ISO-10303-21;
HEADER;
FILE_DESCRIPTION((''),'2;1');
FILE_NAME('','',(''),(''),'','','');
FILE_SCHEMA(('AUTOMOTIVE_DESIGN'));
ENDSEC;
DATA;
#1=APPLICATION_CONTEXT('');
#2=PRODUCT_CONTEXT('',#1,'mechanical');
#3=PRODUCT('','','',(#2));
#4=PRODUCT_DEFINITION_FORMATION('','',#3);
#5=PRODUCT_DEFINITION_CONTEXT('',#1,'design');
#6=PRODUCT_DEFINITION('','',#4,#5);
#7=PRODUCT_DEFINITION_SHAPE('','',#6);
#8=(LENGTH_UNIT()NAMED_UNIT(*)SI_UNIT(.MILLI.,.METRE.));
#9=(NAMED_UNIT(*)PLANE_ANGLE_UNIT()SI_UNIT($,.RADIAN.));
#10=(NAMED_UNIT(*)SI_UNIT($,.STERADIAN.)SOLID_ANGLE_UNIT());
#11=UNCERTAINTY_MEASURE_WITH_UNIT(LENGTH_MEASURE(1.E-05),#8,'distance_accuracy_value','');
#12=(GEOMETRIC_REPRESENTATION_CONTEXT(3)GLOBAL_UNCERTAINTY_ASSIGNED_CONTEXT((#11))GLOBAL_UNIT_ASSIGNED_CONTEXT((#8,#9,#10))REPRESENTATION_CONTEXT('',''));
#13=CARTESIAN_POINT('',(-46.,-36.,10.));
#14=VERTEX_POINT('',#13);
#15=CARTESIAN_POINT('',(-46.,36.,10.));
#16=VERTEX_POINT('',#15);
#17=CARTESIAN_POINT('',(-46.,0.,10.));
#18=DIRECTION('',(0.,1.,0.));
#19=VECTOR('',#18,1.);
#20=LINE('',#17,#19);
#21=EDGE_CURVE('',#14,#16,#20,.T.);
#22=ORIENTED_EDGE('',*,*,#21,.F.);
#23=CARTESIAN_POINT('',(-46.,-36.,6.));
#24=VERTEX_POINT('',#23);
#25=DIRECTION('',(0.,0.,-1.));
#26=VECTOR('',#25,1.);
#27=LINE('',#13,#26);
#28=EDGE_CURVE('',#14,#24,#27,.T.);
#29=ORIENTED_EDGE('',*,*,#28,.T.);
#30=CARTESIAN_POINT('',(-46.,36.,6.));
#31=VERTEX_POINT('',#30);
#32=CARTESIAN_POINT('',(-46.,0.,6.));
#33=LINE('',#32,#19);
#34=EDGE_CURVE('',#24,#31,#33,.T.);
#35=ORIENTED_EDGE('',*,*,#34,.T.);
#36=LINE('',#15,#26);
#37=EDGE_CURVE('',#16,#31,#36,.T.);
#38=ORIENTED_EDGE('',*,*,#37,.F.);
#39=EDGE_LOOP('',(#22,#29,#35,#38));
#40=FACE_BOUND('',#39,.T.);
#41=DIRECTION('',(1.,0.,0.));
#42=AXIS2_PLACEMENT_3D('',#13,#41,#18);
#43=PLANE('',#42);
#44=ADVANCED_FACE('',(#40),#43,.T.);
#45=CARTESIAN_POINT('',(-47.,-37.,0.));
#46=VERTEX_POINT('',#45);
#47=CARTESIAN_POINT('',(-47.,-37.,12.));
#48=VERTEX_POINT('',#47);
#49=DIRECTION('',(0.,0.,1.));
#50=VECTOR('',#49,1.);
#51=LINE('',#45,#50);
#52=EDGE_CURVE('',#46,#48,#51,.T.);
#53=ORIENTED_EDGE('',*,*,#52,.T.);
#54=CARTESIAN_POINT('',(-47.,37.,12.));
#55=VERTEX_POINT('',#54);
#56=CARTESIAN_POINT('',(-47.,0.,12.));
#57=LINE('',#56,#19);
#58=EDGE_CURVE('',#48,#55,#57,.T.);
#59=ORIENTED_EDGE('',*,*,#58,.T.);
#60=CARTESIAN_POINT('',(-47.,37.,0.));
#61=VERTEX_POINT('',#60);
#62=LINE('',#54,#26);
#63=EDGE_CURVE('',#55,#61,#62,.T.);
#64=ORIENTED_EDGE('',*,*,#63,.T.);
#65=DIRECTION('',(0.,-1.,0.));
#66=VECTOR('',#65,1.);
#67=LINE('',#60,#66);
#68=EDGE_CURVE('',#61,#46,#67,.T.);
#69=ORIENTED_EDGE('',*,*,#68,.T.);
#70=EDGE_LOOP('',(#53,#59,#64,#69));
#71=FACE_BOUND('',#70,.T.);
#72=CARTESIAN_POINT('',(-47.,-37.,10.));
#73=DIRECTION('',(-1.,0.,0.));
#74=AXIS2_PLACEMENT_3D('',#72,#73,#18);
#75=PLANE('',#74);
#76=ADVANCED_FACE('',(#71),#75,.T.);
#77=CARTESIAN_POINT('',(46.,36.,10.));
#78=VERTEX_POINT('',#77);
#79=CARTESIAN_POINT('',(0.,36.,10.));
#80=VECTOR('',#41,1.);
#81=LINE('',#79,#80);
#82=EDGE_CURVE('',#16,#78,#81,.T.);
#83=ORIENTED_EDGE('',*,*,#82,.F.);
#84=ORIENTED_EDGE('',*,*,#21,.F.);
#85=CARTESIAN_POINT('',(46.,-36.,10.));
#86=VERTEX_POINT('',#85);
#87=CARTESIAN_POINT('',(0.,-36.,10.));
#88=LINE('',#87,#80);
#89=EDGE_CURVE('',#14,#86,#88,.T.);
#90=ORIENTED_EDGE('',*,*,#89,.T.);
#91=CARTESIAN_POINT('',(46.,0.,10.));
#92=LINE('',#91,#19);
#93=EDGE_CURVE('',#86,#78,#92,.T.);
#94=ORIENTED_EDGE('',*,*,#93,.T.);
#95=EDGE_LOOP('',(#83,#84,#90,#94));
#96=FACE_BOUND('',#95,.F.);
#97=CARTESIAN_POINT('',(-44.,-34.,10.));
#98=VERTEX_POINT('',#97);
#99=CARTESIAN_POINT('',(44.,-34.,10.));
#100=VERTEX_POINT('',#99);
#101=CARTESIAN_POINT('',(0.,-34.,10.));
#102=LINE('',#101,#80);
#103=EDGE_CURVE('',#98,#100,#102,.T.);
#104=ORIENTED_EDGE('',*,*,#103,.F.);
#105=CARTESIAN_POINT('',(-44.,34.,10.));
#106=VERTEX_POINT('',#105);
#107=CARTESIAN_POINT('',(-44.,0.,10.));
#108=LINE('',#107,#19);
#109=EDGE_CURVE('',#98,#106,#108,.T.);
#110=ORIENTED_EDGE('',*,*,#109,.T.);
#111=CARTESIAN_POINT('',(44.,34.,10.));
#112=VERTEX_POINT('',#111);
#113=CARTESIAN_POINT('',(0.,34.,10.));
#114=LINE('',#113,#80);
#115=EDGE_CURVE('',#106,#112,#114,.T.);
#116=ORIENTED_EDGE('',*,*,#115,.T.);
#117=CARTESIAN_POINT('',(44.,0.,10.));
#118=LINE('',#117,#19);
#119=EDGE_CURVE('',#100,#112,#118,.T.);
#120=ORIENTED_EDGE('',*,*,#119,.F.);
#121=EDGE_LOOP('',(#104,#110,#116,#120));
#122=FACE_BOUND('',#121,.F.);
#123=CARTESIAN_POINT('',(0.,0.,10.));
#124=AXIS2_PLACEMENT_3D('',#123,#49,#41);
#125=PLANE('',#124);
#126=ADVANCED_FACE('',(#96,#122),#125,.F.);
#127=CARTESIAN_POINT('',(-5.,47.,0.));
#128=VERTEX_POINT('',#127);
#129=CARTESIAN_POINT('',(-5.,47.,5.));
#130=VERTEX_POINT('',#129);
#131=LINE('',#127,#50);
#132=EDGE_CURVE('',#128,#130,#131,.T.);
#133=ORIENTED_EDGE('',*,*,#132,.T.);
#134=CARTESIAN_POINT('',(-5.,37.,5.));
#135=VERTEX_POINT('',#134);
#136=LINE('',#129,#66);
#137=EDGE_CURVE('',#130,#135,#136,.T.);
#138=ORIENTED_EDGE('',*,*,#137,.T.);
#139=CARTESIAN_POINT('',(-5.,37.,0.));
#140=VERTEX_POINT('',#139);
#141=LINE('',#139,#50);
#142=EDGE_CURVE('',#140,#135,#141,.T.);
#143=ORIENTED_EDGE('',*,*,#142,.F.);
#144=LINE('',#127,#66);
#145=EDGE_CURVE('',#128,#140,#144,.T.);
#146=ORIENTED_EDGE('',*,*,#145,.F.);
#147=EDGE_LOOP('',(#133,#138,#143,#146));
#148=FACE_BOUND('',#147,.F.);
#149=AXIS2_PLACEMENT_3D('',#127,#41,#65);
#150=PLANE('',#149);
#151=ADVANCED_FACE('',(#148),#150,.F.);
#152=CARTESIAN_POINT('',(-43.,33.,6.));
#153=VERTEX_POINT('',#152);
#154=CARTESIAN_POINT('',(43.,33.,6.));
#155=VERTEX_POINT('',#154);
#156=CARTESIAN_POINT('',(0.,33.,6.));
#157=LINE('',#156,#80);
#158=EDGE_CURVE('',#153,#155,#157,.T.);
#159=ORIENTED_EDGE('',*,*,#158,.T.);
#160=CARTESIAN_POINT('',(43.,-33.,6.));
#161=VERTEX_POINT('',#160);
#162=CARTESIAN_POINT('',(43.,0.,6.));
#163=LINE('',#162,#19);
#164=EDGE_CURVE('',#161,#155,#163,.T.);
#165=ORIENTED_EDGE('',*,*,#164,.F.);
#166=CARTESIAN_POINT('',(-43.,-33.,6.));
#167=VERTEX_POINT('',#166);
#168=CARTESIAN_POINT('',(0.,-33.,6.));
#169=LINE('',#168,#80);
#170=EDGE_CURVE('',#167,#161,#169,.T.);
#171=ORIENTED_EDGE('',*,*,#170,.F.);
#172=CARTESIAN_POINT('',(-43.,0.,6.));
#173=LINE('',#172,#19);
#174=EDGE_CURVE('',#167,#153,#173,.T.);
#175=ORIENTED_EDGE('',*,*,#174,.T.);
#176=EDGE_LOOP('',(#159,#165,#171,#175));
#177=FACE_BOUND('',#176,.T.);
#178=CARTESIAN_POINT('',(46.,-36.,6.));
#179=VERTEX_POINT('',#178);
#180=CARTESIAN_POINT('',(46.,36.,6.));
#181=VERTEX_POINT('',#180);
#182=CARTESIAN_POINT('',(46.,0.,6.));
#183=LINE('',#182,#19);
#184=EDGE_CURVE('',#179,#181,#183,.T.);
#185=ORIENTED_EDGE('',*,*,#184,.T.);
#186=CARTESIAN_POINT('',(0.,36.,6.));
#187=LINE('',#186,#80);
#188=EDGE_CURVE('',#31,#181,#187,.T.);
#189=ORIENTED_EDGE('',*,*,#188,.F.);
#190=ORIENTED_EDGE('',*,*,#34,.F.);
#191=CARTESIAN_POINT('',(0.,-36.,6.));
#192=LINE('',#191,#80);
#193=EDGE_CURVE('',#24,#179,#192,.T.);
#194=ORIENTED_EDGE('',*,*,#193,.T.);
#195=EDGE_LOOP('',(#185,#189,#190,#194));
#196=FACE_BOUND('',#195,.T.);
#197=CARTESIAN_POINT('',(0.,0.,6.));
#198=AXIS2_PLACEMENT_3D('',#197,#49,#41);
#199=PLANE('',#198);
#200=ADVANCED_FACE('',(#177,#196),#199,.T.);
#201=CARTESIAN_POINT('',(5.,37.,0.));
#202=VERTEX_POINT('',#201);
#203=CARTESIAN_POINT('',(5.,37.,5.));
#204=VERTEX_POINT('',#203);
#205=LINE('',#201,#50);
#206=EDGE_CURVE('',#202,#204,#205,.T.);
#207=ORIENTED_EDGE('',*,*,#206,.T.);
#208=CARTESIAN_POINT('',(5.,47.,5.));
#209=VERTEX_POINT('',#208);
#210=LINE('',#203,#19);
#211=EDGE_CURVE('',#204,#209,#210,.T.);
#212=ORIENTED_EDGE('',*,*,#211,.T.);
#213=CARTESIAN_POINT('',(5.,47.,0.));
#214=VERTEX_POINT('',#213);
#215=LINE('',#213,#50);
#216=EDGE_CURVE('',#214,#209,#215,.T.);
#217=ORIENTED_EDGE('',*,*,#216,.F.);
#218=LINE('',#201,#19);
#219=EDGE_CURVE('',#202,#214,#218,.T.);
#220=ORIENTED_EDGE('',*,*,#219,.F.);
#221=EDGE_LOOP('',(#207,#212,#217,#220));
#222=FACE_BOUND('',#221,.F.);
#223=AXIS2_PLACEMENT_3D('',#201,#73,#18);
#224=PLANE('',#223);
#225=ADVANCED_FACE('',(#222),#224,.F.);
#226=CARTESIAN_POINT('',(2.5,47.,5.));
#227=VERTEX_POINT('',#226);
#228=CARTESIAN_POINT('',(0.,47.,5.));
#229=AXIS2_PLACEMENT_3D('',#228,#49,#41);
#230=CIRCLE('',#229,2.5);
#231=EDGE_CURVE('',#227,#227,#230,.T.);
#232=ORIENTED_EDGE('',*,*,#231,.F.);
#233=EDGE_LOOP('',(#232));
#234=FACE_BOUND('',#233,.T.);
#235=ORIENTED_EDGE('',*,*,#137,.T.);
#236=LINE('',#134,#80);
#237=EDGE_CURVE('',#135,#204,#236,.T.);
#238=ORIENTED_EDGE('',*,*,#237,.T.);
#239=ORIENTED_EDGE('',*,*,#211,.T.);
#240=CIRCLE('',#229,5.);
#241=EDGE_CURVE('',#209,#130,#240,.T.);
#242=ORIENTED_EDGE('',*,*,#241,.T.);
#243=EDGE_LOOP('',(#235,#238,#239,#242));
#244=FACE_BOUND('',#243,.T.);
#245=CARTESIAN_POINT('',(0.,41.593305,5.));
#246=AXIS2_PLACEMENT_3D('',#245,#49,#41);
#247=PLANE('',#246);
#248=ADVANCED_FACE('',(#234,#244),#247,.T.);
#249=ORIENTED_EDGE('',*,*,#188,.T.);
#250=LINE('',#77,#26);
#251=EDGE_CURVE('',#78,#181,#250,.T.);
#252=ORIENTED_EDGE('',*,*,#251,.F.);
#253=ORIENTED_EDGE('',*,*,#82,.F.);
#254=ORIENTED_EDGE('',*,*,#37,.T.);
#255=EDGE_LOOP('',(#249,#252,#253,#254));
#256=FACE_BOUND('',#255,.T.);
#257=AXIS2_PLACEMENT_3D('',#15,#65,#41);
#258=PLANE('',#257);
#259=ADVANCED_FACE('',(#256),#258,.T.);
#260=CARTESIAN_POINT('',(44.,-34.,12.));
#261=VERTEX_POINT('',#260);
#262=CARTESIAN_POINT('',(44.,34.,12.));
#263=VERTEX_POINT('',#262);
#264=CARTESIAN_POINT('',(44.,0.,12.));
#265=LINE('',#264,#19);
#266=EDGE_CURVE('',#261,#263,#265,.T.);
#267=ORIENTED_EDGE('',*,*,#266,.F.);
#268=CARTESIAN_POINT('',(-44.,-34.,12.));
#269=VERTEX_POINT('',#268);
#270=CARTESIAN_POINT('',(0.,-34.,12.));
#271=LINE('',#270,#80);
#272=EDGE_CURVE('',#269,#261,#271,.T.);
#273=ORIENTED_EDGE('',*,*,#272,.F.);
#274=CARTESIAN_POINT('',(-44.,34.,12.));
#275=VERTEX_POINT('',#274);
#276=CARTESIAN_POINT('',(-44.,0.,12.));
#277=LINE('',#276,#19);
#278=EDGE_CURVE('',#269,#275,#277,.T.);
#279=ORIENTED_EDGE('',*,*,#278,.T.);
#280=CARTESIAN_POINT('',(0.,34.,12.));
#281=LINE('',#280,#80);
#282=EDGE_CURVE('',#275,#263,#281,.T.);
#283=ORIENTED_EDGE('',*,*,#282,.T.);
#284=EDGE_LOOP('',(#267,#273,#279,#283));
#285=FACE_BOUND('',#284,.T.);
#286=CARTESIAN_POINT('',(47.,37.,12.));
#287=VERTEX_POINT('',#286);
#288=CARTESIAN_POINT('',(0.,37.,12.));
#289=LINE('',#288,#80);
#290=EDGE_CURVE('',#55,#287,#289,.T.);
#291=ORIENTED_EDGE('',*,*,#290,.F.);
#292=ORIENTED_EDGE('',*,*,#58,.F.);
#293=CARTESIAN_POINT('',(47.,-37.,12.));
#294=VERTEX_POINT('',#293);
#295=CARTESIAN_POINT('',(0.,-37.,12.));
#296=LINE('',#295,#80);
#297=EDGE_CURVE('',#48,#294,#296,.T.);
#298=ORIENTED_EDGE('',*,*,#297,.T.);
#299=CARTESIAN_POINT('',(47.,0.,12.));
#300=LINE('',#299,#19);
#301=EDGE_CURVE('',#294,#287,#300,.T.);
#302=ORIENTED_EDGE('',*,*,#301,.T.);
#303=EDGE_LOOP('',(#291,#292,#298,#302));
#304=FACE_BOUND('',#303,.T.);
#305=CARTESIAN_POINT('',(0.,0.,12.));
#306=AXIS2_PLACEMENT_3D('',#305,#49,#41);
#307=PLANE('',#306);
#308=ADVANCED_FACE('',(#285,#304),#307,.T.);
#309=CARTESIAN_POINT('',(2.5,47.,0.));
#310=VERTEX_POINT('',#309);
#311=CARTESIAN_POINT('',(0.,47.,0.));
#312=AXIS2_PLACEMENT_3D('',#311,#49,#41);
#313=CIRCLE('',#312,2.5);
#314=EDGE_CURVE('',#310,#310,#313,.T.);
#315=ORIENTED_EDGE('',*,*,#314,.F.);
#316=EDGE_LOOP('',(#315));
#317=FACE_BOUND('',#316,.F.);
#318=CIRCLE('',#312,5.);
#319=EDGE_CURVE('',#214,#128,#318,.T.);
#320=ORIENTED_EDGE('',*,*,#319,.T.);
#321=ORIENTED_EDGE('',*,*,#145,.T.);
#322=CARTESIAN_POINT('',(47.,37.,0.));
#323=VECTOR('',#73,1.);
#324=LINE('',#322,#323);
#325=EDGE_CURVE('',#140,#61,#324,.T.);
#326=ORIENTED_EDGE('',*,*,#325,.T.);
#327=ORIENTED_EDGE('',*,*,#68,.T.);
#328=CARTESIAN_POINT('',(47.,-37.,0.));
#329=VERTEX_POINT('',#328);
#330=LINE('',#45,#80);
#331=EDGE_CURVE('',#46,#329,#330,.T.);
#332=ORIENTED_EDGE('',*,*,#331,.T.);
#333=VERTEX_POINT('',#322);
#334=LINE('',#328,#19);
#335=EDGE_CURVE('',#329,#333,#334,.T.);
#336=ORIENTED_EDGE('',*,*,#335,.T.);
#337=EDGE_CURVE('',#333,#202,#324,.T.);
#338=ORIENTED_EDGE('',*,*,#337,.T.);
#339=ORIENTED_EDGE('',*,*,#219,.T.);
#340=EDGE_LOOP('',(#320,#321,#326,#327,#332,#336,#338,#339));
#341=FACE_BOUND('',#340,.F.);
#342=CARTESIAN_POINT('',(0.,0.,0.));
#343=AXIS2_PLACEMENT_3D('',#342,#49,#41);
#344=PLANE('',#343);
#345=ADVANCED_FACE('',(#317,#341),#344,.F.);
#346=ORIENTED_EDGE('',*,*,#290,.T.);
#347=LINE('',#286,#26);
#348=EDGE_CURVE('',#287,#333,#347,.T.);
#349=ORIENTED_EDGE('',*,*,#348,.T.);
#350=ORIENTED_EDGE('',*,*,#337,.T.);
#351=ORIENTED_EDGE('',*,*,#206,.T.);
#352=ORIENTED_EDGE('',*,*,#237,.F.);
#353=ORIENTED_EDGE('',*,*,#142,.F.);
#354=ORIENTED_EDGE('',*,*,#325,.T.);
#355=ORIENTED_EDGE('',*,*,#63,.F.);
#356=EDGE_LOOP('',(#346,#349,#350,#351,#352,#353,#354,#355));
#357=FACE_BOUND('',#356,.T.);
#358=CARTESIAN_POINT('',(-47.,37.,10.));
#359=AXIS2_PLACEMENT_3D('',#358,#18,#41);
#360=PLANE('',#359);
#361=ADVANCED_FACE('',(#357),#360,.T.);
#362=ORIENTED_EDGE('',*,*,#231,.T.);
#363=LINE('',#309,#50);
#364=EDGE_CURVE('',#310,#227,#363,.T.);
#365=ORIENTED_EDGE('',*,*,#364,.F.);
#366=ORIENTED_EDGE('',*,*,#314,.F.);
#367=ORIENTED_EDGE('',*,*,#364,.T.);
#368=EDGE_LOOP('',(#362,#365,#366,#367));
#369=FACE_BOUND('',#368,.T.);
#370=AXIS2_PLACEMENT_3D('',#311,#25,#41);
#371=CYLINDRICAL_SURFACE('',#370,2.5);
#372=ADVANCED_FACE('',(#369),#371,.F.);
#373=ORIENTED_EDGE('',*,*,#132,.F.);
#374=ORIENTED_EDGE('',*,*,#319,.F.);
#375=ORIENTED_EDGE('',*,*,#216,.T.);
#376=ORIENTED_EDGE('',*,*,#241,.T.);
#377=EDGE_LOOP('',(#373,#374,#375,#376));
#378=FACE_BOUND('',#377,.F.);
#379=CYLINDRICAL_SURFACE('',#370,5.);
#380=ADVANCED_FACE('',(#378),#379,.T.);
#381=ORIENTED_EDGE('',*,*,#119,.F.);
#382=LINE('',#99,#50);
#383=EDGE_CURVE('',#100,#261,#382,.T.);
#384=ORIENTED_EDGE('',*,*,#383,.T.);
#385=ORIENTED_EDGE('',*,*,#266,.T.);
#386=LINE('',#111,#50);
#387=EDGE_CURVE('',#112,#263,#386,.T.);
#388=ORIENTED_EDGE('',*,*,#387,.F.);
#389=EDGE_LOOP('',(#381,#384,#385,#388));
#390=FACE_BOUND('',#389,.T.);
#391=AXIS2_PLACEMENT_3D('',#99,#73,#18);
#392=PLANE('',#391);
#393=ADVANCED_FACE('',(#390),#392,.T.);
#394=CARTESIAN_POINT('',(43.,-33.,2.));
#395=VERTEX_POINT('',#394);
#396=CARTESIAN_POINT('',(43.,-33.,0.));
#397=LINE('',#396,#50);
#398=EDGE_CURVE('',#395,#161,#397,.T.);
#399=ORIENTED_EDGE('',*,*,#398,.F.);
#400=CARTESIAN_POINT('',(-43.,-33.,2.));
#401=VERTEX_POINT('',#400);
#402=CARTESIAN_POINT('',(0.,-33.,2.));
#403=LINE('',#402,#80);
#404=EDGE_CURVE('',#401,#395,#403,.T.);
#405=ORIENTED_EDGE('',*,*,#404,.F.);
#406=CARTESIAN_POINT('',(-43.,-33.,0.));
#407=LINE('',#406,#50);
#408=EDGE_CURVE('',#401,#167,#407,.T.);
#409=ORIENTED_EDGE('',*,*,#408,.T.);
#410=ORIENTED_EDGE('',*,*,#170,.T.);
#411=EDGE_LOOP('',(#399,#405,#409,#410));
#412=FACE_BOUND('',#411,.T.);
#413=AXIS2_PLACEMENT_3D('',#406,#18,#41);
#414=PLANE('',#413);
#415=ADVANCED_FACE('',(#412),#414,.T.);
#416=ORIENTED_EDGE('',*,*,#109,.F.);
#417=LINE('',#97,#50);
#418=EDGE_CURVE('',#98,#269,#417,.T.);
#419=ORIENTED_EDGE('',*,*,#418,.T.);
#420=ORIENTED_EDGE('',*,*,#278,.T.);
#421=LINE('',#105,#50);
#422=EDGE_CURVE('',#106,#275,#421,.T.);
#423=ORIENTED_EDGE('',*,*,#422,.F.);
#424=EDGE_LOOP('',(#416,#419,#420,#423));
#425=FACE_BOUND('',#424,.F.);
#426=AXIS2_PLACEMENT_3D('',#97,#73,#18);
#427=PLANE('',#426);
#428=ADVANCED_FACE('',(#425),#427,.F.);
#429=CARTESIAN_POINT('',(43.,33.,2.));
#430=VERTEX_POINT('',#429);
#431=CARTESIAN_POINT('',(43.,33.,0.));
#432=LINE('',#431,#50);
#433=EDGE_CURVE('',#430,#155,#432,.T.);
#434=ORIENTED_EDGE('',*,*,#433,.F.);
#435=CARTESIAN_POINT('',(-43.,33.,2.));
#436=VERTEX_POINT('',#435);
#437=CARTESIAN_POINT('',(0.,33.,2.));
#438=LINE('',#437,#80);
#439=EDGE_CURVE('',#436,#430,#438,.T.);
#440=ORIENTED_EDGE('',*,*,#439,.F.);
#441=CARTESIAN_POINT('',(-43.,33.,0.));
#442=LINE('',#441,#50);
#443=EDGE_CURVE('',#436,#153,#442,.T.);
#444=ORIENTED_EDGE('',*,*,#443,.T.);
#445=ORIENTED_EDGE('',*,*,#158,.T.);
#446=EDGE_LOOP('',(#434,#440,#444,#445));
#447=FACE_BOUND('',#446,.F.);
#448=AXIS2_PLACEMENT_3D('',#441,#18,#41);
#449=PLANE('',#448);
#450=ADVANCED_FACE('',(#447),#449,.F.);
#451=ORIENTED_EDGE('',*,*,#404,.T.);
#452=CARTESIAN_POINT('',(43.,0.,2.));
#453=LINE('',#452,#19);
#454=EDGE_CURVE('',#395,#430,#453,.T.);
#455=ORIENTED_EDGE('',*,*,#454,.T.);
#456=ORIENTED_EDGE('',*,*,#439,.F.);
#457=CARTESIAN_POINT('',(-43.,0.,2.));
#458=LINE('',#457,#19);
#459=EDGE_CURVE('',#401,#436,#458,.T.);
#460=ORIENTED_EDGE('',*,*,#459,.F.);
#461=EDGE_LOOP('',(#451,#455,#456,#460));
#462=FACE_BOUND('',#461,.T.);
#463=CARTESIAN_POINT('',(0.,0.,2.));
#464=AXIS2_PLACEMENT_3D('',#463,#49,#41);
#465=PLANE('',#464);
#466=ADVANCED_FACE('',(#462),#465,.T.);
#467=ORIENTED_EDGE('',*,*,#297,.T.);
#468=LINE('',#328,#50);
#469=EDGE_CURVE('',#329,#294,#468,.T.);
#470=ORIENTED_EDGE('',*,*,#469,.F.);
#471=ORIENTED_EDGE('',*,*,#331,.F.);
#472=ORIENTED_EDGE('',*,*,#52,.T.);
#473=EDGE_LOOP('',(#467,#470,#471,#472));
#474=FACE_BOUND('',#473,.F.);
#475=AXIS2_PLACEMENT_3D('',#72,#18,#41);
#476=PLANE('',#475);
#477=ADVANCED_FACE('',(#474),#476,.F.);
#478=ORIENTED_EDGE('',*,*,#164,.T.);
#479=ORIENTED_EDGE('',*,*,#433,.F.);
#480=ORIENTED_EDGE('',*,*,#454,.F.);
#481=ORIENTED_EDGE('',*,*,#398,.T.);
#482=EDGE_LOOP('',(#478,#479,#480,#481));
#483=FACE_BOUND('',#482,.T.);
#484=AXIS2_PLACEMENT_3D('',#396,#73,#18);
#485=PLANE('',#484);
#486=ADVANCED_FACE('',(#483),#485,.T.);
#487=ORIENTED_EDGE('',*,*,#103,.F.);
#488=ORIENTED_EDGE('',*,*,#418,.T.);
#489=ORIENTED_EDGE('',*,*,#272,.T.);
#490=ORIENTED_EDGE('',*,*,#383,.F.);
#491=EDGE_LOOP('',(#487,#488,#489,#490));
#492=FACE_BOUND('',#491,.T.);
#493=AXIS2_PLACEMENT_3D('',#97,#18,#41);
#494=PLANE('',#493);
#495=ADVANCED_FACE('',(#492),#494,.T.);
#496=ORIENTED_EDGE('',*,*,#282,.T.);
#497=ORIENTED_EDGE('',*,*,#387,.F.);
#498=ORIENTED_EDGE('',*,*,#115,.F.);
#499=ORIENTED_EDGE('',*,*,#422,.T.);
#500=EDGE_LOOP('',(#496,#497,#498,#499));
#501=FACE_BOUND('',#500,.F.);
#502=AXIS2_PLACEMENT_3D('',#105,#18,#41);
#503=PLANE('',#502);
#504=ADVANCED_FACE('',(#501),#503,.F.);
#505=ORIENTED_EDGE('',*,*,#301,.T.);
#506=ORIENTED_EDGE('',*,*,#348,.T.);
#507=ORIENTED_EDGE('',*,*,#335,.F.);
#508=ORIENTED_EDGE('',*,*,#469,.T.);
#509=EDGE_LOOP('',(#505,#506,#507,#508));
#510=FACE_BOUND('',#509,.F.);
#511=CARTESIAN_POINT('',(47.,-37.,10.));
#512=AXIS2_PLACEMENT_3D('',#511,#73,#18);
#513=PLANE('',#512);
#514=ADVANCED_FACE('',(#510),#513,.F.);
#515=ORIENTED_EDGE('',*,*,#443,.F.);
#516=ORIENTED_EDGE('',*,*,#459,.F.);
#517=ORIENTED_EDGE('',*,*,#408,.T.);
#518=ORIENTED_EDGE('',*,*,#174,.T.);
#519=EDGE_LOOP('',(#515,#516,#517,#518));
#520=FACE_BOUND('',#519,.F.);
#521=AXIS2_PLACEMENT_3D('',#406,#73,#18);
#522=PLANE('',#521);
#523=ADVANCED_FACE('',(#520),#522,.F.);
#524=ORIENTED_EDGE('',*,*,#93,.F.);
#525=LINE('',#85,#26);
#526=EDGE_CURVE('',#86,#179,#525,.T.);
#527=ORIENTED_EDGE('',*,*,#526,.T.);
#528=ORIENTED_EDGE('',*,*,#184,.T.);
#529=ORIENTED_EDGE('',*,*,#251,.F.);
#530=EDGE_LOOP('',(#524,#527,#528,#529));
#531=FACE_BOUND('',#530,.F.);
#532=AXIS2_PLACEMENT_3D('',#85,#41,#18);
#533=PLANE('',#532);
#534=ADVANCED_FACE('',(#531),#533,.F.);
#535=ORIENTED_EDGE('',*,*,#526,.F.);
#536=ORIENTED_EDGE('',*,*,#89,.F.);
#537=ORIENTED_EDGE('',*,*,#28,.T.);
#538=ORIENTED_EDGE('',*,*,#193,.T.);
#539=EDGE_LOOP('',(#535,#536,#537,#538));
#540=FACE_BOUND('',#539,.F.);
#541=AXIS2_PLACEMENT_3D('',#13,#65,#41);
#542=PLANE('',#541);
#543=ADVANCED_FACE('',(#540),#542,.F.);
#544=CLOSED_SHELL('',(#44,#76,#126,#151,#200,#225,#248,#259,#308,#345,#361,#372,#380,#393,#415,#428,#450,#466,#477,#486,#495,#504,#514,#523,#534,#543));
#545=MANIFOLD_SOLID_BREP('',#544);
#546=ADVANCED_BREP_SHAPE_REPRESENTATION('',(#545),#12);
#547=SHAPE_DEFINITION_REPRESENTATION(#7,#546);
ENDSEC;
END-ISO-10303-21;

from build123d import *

# Parameters (mm, degrees)
F0_W     = 86
F0_H     = 66
F1_DEPTH = 2
F2_DEPTH = 10
F3_W     = 92
F3_H     = 72
F3_W_2   = 86
F3_H_2   = 66
F4_DEPTH = 4
F5_W     = 94
F5_H     = 74
F5_W_2   = 88
F5_H_2   = 2
F5_W_3   = 2
F5_H_3   = 68
F6_DEPTH = 2
F0_R     = 2.5
F7_DEPTH = 5


with BuildPart() as f1:
    # F0 (on Top) → F1 (new body)
    with BuildSketch(Plane.XY):
        Rectangle(F0_W, F0_H)
    extrude(amount=F1_DEPTH)

    # F0 (on Top) → F2 (join)
    with BuildSketch(Plane.XY):
        Polygon((47, -37), (47, 37), (5, 37), (-5, 37), (-47, 37), (-47, -37), align=None)
        Rectangle(F0_W, F0_H, mode=Mode.SUBTRACT)
    extrude(amount=F2_DEPTH)

    # F3 (on face) → F4 (cut)
    with BuildSketch(Plane.XY.offset(10)):
        Rectangle(F3_W, F3_H)
        Rectangle(F3_W_2, F3_H_2, mode=Mode.SUBTRACT)
    extrude(amount=-F4_DEPTH, mode=Mode.SUBTRACT)

    # F5 (on face) → F6 (join)
    with BuildSketch(Plane.XY.offset(10)):
        Rectangle(F5_W, F5_H)
        Polygon((-44, -36), (-46, -36), (-46, -34), (-46, 34), (-46, 36), (-44, 36), (44, 36), (46, 36), (46, 34), (46, -34), (46, -36), (44, -36), align=None, mode=Mode.SUBTRACT)
        with Locations((0, 35)):
            Rectangle(F5_W_2, F5_H_2)
        with Locations((0, -35)):
            Rectangle(F5_W_2, F5_H_2)
        with Locations((-45, 0)):
            Rectangle(F5_W_3, F5_H_3)
        with Locations((45, 0)):
            Rectangle(F5_W_3, F5_H_3)
        with Locations((-45, 35)):
            Rectangle(F5_W_3, F5_H_2)
        with Locations((45, 35)):
            Rectangle(F5_W_3, F5_H_2)
        with Locations((45, -35)):
            Rectangle(F5_W_3, F5_H_2)
        with Locations((-45, -35)):
            Rectangle(F5_W_3, F5_H_2)
    extrude(amount=F6_DEPTH)

    # F0 (on Top) → F7 (join)
    with BuildSketch(Plane.XY):
        with BuildLine():
            Line((-5, 37), (5, 37))
            Line((5, 37), (5, 47))
            ThreePointArc((5, 47), (0, 42), (-5, 47))
            Line((-5, 47), (-5, 37))
        make_face()
        with BuildLine():
            ThreePointArc((-5, 47), (0, 42), (5, 47))
            ThreePointArc((5, 47), (0, 52), (-5, 47))
        make_face()
        with Locations((0, 47)):
            Circle(F0_R, mode=Mode.SUBTRACT)
    extrude(amount=F7_DEPTH)


solid = f1.part
